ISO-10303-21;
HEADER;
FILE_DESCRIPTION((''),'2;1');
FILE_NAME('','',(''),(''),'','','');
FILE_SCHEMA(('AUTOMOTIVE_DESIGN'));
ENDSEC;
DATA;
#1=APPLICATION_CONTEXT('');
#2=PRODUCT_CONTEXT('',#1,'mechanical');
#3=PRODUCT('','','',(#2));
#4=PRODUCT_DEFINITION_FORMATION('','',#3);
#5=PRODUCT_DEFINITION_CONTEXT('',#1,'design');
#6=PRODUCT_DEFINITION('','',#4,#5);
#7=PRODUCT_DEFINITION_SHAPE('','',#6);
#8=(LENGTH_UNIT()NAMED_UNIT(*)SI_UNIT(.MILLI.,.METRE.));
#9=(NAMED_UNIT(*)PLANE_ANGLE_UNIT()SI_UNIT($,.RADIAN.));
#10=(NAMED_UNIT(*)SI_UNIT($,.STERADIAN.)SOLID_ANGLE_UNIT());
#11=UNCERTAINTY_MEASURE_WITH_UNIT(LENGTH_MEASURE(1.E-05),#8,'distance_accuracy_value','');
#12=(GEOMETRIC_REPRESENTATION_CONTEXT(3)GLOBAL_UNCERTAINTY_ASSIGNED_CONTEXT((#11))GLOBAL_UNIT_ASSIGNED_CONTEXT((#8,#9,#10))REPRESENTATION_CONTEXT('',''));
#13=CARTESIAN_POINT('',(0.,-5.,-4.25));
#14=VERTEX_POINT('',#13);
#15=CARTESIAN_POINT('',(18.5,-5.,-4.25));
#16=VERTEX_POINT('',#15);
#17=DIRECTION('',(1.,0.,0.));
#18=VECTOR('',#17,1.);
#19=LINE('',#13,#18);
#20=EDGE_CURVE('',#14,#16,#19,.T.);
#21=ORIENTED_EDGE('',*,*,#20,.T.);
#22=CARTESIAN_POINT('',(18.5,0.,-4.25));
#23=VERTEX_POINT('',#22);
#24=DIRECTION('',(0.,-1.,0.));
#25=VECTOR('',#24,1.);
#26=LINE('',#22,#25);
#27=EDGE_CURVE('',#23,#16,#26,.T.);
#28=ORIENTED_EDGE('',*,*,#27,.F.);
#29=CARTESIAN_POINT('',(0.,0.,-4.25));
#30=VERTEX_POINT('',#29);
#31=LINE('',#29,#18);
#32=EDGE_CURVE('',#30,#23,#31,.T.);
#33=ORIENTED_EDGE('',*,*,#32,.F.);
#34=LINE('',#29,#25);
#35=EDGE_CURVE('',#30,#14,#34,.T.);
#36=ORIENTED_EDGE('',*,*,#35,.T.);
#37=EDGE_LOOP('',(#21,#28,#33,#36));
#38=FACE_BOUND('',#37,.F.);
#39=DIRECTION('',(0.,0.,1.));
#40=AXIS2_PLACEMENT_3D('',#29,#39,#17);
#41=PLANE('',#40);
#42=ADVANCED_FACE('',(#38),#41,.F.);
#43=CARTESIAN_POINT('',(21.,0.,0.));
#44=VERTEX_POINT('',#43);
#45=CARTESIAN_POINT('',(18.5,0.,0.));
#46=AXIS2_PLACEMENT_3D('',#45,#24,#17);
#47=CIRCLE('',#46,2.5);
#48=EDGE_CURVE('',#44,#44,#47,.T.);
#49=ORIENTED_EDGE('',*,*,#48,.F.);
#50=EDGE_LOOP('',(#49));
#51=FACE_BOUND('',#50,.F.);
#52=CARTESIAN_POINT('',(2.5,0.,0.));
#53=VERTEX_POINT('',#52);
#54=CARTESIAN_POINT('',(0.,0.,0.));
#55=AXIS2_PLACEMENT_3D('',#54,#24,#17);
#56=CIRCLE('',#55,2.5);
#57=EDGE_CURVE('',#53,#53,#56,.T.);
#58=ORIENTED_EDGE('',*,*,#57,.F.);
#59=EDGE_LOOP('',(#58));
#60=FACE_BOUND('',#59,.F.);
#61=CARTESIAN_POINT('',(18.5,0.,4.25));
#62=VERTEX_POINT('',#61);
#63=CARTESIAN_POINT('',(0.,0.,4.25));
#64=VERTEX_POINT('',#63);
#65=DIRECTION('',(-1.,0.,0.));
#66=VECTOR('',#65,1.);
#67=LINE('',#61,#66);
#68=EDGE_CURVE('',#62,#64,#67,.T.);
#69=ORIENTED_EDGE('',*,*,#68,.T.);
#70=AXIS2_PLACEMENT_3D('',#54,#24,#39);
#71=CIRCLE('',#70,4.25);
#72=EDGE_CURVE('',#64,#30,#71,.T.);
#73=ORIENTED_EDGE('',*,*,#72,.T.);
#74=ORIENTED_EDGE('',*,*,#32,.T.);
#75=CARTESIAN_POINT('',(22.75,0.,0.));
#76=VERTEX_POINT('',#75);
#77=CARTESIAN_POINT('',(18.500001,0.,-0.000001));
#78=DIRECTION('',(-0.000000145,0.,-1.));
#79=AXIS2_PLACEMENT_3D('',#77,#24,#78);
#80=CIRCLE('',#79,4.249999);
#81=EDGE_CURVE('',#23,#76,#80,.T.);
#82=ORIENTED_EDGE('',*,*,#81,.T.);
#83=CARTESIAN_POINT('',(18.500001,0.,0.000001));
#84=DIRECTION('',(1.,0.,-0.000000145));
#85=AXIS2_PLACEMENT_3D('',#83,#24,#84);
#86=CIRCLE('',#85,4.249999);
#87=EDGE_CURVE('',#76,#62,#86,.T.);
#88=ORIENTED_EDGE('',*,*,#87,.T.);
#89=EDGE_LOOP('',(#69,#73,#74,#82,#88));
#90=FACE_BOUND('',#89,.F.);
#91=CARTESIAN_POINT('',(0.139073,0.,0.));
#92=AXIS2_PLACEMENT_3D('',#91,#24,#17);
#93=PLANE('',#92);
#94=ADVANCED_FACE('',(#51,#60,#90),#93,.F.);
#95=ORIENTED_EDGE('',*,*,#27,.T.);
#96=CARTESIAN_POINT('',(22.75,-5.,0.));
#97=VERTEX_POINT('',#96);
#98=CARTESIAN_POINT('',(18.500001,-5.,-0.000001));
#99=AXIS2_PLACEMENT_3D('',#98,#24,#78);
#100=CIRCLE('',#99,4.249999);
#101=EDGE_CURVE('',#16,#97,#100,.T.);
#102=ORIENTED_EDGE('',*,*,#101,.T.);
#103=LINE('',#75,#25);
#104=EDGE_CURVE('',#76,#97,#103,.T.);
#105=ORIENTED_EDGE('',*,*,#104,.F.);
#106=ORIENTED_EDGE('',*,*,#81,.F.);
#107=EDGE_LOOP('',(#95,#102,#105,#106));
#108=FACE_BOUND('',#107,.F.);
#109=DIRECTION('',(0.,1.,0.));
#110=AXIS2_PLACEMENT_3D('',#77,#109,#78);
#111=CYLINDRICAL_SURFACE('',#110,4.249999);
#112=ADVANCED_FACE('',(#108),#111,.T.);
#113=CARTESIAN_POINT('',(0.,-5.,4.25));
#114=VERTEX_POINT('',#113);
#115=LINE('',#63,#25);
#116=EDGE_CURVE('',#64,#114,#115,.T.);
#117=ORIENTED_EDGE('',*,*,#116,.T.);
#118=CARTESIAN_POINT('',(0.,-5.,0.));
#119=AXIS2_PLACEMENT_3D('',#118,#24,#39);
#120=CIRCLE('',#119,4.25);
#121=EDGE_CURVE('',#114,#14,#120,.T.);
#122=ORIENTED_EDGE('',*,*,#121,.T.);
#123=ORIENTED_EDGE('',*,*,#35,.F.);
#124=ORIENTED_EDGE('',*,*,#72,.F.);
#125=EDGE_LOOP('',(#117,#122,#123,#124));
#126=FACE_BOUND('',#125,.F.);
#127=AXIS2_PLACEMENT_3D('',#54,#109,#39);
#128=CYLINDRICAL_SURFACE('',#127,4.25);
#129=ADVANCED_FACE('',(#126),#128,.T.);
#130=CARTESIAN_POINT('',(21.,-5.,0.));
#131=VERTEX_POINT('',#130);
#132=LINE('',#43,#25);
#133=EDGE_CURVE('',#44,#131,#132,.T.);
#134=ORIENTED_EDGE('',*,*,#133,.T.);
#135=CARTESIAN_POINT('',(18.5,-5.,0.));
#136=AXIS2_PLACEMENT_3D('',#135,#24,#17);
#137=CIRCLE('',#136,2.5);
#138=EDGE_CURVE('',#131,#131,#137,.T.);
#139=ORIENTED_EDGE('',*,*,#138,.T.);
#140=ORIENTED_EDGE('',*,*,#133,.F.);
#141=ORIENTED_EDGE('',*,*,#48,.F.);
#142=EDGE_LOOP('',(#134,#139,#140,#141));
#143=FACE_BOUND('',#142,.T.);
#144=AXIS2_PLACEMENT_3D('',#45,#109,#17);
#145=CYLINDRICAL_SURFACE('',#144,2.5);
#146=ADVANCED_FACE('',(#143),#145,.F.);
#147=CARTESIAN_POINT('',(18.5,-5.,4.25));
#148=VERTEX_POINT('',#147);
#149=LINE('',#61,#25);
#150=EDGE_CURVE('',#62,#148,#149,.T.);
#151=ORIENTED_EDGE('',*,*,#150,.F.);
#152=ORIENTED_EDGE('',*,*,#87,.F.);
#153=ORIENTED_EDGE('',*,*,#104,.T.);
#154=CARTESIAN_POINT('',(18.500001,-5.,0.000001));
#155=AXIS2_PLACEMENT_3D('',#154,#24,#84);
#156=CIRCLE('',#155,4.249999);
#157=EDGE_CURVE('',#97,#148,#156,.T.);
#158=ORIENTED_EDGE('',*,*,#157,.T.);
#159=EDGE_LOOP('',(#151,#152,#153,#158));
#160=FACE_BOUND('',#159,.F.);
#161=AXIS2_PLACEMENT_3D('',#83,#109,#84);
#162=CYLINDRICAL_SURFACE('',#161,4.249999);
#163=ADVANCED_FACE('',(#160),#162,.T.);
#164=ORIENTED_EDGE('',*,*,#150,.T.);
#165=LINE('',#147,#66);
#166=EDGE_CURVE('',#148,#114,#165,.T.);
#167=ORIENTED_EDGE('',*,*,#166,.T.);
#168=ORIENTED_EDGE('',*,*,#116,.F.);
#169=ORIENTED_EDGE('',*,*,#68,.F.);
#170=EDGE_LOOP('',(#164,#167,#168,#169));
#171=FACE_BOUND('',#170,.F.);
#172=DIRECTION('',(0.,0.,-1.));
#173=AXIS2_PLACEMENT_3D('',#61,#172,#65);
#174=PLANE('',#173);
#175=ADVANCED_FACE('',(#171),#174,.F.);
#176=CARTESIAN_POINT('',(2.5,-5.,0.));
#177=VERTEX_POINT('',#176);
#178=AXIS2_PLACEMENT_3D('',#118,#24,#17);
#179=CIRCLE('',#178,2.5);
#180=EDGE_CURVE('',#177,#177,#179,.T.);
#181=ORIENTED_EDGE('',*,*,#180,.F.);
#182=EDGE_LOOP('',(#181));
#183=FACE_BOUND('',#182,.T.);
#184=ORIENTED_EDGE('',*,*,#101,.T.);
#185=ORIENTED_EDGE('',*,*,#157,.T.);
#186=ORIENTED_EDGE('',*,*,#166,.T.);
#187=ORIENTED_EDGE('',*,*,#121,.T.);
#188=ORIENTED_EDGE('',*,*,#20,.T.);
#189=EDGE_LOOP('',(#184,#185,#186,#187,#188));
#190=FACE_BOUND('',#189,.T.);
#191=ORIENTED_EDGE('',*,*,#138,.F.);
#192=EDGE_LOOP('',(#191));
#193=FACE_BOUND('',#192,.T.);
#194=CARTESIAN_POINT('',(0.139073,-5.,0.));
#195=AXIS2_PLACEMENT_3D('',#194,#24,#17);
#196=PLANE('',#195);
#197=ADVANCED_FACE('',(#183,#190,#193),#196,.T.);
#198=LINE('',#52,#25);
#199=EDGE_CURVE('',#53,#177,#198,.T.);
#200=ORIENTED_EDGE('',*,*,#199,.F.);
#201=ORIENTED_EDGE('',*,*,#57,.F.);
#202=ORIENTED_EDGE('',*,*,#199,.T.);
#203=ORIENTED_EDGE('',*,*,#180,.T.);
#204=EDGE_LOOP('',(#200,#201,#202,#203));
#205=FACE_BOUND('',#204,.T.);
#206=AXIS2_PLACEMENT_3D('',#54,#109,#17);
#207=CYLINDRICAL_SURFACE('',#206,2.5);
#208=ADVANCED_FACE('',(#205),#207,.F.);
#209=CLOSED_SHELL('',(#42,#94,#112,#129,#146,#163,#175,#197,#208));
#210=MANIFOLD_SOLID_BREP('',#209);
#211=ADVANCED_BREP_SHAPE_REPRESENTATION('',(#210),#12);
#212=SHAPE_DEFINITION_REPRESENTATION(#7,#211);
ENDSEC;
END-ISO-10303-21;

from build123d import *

# Parameters (mm, degrees)
F0_R     = 2.5
F1_DEPTH = 5


with BuildPart() as f1:
    # F0 (on Front) → F1 (new body)
    with BuildSketch(Plane.XZ):
        with BuildLine():
            ThreePointArc((0, -4.25), (3.005204, -3.005204), (4.25, 0))
            ThreePointArc((4.25, 0), (3.005204, 3.005204), (0, 4.25))
            ThreePointArc((0, 4.25), (-4.25, 0), (0, -4.25))
        make_face()
        Circle(F0_R, mode=Mode.SUBTRACT)
        with BuildLine():
            ThreePointArc((0, 4.25), (3.005204, 3.005204), (4.25, 0))
            ThreePointArc((4.25, 0), (3.005204, -3.005204), (0, -4.25))
            Line((0, -4.25), (9.25, -4.25))
            Line((9.25, -4.25), (18.5, -4.25))
            ThreePointArc((18.5, -4.25), (14.25, 0), (18.5, 4.25))
            Line((18.5, 4.25), (9.25, 4.25))
            Line((9.25, 4.25), (0, 4.25))
        make_face()
        with BuildLine():
            ThreePointArc((22.75, 0), (21.505204, 3.005204), (18.5, 4.25))
            ThreePointArc((18.5, 4.25), (14.25, 0), (18.5, -4.25))
            ThreePointArc((18.5, -4.25), (21.505204, -3.005204), (22.75, 0))
        make_face()
        with Locations((18.5, 0)):
            Circle(F0_R, mode=Mode.SUBTRACT)
    extrude(amount=F1_DEPTH)


solid = f1.part
